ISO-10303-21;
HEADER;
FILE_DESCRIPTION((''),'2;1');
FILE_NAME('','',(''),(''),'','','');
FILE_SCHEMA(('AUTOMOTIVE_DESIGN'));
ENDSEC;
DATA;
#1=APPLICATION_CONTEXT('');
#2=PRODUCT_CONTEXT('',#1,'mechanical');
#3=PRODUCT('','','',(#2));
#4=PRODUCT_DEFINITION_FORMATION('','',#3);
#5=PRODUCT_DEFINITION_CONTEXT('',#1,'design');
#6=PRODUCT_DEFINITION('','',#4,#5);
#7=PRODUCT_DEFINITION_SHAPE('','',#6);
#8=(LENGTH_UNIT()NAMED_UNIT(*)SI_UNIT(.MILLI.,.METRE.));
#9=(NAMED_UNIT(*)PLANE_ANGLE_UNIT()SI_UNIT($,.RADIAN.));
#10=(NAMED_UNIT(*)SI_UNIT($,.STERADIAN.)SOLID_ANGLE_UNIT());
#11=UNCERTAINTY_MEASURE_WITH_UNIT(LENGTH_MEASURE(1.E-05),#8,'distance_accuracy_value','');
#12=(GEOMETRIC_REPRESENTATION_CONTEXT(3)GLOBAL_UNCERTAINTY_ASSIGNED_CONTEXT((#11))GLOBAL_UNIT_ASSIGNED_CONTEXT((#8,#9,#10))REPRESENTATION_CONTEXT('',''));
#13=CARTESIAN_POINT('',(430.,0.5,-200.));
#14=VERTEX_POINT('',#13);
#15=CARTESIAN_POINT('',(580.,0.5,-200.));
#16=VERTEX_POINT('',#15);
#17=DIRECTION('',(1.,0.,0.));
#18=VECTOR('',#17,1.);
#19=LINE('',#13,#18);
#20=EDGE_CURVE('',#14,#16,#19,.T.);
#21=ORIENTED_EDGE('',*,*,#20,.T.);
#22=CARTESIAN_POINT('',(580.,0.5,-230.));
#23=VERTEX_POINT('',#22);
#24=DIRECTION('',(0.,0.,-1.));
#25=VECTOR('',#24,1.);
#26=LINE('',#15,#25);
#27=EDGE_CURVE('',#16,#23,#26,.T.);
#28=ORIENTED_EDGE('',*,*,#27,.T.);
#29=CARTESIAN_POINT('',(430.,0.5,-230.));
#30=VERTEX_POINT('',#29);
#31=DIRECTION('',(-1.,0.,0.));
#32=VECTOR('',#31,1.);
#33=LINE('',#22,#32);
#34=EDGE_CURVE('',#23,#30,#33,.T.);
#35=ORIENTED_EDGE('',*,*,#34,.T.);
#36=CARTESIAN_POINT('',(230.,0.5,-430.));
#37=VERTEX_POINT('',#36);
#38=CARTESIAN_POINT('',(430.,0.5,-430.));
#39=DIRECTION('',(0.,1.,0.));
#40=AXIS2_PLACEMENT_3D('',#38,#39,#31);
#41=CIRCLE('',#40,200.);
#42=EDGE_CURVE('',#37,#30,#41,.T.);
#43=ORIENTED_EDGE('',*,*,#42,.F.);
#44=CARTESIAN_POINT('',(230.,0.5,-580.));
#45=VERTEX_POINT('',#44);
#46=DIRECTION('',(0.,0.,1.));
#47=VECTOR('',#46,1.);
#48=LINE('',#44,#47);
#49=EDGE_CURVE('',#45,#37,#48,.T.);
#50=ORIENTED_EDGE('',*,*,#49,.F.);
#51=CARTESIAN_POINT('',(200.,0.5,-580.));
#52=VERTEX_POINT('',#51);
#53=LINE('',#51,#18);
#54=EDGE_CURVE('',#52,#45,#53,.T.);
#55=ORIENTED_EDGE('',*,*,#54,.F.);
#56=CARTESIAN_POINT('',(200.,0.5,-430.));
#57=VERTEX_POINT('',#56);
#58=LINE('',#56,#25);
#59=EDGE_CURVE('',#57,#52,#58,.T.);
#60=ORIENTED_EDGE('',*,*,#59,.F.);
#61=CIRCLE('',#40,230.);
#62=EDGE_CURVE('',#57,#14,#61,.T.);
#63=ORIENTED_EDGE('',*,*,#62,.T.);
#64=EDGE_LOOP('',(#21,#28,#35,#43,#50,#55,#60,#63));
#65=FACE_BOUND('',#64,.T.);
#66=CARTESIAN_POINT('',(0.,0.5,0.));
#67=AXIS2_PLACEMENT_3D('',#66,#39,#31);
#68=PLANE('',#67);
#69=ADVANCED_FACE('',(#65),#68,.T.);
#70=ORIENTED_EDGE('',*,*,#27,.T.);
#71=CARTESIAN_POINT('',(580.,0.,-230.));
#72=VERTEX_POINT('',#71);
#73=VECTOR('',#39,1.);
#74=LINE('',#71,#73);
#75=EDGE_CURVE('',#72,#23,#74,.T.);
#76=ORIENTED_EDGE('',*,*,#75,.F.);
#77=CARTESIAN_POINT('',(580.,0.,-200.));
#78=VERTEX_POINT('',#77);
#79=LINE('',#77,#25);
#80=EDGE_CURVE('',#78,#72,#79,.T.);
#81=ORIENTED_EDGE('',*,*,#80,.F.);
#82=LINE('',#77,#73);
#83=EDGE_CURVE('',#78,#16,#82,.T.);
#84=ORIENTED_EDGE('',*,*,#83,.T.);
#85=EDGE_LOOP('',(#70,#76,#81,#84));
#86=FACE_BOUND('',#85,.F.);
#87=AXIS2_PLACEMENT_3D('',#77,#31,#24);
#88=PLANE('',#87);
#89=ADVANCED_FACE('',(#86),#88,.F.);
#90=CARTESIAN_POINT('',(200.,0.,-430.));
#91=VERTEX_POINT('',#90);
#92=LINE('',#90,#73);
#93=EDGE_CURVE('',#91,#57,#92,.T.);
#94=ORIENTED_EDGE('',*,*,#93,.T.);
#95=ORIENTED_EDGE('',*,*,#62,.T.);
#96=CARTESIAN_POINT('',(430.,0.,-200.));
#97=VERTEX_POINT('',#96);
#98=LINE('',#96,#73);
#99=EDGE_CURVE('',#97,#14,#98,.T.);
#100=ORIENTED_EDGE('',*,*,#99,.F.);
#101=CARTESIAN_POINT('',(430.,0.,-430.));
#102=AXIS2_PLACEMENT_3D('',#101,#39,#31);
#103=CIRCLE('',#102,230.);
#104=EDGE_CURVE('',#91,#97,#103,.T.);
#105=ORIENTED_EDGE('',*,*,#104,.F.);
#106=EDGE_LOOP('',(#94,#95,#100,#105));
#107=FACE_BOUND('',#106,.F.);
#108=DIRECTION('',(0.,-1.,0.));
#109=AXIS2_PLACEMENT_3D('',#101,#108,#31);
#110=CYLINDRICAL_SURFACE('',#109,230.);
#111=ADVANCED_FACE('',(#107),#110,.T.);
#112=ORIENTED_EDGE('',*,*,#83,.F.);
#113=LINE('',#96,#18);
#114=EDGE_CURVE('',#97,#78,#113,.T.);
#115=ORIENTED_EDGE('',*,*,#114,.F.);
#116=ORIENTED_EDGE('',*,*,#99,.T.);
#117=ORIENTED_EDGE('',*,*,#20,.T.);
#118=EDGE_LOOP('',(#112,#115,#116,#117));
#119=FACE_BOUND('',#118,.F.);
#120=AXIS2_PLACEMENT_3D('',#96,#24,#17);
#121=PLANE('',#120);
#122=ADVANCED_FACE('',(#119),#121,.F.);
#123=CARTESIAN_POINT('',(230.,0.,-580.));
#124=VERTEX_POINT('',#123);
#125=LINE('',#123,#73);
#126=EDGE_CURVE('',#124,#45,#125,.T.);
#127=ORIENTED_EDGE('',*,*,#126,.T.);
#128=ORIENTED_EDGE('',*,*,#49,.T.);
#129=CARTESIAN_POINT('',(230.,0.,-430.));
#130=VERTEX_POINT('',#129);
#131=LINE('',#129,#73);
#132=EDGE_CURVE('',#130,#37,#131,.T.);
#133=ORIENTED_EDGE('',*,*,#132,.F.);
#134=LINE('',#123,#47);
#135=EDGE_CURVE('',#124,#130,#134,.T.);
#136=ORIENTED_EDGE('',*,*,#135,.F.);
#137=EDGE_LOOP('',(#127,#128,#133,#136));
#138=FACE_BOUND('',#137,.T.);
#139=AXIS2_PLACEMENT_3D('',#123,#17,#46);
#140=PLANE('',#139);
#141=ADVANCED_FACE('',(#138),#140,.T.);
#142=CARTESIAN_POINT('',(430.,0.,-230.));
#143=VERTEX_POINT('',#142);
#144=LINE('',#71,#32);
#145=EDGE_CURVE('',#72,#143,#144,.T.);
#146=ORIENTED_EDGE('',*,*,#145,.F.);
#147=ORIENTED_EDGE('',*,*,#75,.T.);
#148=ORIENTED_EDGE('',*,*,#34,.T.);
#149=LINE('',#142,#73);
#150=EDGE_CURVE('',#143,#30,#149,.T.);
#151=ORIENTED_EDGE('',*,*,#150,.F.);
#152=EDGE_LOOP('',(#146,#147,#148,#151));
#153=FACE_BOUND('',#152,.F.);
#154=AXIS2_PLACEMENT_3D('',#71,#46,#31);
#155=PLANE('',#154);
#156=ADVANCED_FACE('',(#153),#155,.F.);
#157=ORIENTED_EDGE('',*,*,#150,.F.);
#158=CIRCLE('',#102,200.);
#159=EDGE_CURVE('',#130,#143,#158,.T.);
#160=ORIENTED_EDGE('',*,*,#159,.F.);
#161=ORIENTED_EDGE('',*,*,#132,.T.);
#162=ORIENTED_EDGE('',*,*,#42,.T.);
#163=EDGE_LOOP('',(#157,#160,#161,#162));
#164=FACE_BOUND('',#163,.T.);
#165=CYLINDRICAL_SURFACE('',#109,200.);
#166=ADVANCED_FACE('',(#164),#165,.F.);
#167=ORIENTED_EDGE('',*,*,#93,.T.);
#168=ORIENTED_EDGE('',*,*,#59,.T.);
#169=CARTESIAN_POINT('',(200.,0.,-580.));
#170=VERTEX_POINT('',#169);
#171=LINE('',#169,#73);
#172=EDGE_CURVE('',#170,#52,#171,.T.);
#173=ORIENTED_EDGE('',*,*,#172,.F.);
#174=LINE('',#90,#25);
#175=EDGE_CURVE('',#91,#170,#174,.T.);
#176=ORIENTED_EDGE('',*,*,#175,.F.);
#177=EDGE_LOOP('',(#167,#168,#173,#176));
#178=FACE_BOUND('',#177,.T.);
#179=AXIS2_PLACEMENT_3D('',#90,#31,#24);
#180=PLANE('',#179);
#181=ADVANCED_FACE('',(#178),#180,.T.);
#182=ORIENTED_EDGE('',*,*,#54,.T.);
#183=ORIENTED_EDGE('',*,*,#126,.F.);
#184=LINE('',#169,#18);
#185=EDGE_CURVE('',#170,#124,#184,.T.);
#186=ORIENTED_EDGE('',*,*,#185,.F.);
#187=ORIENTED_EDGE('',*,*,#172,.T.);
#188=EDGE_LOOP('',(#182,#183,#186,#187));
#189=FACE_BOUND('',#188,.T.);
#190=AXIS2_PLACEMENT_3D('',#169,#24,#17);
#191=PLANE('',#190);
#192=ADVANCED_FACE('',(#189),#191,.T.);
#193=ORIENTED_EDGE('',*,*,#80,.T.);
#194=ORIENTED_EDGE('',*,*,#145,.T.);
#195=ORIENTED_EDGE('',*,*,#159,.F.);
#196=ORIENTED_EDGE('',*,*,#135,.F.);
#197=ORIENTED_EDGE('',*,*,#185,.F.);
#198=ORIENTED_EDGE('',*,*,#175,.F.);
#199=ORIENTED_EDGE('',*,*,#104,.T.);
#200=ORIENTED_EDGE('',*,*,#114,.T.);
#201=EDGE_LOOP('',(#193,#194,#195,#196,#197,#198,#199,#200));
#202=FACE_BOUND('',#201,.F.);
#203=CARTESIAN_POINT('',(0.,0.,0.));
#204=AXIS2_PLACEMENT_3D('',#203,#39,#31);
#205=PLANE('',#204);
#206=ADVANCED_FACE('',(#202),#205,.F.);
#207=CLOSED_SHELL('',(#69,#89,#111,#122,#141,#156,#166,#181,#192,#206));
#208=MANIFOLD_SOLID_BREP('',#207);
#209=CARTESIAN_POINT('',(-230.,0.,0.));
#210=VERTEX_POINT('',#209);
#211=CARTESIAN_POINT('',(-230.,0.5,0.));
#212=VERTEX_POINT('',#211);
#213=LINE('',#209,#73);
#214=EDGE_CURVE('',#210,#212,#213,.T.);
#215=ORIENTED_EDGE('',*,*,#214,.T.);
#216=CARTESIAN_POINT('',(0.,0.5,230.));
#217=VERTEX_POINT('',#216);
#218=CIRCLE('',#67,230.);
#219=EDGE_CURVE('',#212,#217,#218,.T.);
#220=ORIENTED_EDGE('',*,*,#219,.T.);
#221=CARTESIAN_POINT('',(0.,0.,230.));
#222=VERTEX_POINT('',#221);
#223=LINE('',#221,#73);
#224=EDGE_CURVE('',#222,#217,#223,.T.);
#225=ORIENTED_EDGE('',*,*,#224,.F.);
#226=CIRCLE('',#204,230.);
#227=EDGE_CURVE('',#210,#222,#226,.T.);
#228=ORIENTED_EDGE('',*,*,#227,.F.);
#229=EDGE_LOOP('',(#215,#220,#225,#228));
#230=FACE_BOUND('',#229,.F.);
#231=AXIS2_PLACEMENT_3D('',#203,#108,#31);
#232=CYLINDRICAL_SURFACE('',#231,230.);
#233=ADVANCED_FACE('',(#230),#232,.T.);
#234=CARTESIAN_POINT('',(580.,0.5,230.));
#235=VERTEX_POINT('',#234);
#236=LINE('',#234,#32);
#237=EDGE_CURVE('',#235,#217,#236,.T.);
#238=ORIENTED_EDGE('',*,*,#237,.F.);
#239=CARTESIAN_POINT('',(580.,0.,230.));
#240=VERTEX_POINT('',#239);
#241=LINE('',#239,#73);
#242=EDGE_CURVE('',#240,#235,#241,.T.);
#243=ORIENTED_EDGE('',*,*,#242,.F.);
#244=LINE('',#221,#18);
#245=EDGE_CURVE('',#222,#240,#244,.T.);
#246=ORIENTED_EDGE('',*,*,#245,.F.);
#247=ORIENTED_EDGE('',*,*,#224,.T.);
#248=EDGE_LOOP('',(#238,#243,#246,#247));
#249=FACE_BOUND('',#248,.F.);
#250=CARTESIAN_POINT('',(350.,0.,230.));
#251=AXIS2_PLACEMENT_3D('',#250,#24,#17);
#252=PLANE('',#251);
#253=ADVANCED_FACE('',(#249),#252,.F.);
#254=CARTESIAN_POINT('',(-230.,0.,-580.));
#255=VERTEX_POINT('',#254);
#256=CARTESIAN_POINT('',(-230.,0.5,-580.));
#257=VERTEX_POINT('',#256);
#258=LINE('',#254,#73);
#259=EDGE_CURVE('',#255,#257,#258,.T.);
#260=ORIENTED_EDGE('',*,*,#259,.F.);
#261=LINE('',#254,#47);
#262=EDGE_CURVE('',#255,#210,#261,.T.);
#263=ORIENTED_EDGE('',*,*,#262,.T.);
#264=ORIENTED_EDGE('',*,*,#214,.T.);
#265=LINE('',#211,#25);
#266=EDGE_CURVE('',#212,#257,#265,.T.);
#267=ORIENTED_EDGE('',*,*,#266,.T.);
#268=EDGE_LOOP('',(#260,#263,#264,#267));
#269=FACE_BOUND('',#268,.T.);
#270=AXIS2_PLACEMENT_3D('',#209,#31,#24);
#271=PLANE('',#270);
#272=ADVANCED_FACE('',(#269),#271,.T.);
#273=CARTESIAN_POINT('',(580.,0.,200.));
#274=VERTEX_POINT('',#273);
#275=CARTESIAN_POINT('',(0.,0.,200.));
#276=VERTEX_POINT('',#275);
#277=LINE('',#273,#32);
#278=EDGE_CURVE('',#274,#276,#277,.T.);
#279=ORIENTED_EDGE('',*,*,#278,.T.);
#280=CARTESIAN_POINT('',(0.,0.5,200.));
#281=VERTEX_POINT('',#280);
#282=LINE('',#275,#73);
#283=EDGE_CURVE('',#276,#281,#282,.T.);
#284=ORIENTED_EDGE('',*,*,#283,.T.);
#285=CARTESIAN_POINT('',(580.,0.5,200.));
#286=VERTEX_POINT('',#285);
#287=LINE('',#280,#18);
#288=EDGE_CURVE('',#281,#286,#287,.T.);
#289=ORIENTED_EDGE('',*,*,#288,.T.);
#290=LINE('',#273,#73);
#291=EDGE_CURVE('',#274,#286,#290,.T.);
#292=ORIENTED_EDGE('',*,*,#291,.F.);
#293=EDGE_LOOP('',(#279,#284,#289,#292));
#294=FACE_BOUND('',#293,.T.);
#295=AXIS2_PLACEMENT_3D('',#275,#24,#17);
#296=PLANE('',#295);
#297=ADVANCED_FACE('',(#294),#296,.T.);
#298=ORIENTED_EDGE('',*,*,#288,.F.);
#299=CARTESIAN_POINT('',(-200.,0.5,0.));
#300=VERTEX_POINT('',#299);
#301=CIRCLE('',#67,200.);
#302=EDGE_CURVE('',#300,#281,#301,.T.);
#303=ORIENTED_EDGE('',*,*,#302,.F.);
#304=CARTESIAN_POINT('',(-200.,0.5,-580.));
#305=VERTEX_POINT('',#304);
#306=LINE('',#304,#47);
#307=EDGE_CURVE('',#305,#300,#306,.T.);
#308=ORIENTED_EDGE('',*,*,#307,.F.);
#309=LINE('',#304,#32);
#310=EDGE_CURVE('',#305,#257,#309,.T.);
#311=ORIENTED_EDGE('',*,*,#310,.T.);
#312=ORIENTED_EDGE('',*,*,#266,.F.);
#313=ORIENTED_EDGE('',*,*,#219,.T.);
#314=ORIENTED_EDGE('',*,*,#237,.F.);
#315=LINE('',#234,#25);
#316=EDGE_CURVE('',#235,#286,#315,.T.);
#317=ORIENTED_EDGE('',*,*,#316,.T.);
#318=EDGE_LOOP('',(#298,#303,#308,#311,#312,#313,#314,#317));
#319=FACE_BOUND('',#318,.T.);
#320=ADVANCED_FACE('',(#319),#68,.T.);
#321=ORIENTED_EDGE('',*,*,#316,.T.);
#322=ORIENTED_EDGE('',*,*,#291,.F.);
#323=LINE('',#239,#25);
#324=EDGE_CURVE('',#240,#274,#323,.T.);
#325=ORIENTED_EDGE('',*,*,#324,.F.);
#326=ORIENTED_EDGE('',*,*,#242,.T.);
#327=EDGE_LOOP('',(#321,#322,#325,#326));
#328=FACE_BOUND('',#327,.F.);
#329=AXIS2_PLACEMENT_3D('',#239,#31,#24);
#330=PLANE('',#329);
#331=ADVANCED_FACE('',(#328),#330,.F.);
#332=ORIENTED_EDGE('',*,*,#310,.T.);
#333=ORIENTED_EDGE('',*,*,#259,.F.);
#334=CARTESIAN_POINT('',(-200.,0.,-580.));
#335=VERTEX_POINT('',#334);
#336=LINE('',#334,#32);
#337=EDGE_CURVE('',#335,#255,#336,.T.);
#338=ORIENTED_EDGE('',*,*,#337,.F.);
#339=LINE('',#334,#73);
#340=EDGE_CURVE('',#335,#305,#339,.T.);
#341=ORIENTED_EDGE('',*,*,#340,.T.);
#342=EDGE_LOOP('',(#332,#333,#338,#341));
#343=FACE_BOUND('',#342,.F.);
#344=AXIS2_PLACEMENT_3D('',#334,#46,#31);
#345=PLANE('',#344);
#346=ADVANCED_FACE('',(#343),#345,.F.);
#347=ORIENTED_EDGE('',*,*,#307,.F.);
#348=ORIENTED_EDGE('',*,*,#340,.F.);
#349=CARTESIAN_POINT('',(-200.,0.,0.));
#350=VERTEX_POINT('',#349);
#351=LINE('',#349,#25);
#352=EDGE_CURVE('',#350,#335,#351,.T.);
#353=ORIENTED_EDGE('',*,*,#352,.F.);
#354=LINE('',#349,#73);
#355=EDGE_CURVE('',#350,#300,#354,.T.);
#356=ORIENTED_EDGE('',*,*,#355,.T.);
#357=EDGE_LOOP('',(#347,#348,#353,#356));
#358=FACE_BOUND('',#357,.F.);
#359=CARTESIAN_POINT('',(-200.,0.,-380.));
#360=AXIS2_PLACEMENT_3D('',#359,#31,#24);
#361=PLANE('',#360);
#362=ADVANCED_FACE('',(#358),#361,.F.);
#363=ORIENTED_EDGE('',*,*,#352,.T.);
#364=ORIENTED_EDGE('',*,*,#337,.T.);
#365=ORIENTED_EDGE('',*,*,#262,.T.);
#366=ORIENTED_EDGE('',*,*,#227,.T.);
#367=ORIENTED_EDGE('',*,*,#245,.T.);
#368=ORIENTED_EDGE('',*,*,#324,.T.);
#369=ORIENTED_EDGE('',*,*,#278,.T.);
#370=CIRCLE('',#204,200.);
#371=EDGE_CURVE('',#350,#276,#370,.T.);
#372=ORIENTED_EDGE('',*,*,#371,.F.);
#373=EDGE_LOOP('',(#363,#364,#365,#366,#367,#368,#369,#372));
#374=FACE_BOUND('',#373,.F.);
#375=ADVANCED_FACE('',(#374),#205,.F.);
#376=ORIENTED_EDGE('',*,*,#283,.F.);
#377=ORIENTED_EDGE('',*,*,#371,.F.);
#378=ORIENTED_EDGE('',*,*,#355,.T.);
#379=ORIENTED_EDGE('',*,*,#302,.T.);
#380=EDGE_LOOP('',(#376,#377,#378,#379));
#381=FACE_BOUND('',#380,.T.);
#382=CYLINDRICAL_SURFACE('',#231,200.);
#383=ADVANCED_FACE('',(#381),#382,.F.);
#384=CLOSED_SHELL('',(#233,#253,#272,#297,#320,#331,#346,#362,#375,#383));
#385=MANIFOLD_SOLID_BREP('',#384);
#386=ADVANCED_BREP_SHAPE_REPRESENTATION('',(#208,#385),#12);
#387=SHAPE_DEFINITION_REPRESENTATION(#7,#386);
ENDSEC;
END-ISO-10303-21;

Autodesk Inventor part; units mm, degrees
ref_plane "YZ Plane" through (0, 0, 0) normal (1, 0, 0) x (0, 1, 0)
ref_plane "XZ Plane" through (0, 0, 0) normal (0, 1, 0) x (-1, 0, 0)
ref_plane "XY Plane" through (0, 0, 0) normal (0, 0, 1) x (1, 0, 0)
sketch "Sketch1" plane through (0, 0, 0) normal (0, 1, 0) x (-1, 0, 0)
  arc A0 (200, 0) -> (0, 200) centre (0, 0) ccw
  line L0 (0, 200) -> (-200, 200)
  line L1 (200, 0) -> (200, -200)
  line L2 (0, 230) -> (-200, 230)
  line L3 (230, 0) -> (230, -200)
  arc A1 (230, 0) -> (0, 230) centre (0, 0) ccw
  arc A2 (200, 0) -> (0, 200) centre (0, 0) ccw
  line L4 (-200, -430) -> (-200, -580)
  line L5 (-200, 230) -> (-350, 230)
  line L6 (-350, 200) -> (-200, 200)
  line L7 (200, -200) -> (200, -380)
  line L8 (230, -380) -> (230, -200)
  line L9 (200, -380) -> (200, -580)
  line L10 (200, -580) -> (230, -580)
  line L11 (230, -580) -> (230, -380)
  line L12 (-200, -580) -> (-230, -580)
  line L13 (-230, -580) -> (-230, -430)
  arc A3 (-200, -430) -> (-430, -200) centre (-430, -430) ccw
  arc A4 (230, 0) -> (0, 230) centre (0, 0) ccw
  arc A5 (-230, -430) -> (-430, -230) centre (-430, -430) ccw
  line L14 (-430, -200) -> (-580, -200)
  line L15 (-580, -200) -> (-580, -230)
  line L16 (-580, -230) -> (-430, -230)
  line L17 (-350, 230) -> (-580, 230)
  line L18 (-580, 230) -> (-580, 200)
  line L19 (-580, 200) -> (-350, 200)
  dimension "d25" = 30
  dimension "d26" = 150
  dimension "d27" = 400
  dimension "d28" = 400
extrude "Extrusion1" add sketch "Sketch1" along normal blind 0.5
properties part number "Bocht 90 graden"
